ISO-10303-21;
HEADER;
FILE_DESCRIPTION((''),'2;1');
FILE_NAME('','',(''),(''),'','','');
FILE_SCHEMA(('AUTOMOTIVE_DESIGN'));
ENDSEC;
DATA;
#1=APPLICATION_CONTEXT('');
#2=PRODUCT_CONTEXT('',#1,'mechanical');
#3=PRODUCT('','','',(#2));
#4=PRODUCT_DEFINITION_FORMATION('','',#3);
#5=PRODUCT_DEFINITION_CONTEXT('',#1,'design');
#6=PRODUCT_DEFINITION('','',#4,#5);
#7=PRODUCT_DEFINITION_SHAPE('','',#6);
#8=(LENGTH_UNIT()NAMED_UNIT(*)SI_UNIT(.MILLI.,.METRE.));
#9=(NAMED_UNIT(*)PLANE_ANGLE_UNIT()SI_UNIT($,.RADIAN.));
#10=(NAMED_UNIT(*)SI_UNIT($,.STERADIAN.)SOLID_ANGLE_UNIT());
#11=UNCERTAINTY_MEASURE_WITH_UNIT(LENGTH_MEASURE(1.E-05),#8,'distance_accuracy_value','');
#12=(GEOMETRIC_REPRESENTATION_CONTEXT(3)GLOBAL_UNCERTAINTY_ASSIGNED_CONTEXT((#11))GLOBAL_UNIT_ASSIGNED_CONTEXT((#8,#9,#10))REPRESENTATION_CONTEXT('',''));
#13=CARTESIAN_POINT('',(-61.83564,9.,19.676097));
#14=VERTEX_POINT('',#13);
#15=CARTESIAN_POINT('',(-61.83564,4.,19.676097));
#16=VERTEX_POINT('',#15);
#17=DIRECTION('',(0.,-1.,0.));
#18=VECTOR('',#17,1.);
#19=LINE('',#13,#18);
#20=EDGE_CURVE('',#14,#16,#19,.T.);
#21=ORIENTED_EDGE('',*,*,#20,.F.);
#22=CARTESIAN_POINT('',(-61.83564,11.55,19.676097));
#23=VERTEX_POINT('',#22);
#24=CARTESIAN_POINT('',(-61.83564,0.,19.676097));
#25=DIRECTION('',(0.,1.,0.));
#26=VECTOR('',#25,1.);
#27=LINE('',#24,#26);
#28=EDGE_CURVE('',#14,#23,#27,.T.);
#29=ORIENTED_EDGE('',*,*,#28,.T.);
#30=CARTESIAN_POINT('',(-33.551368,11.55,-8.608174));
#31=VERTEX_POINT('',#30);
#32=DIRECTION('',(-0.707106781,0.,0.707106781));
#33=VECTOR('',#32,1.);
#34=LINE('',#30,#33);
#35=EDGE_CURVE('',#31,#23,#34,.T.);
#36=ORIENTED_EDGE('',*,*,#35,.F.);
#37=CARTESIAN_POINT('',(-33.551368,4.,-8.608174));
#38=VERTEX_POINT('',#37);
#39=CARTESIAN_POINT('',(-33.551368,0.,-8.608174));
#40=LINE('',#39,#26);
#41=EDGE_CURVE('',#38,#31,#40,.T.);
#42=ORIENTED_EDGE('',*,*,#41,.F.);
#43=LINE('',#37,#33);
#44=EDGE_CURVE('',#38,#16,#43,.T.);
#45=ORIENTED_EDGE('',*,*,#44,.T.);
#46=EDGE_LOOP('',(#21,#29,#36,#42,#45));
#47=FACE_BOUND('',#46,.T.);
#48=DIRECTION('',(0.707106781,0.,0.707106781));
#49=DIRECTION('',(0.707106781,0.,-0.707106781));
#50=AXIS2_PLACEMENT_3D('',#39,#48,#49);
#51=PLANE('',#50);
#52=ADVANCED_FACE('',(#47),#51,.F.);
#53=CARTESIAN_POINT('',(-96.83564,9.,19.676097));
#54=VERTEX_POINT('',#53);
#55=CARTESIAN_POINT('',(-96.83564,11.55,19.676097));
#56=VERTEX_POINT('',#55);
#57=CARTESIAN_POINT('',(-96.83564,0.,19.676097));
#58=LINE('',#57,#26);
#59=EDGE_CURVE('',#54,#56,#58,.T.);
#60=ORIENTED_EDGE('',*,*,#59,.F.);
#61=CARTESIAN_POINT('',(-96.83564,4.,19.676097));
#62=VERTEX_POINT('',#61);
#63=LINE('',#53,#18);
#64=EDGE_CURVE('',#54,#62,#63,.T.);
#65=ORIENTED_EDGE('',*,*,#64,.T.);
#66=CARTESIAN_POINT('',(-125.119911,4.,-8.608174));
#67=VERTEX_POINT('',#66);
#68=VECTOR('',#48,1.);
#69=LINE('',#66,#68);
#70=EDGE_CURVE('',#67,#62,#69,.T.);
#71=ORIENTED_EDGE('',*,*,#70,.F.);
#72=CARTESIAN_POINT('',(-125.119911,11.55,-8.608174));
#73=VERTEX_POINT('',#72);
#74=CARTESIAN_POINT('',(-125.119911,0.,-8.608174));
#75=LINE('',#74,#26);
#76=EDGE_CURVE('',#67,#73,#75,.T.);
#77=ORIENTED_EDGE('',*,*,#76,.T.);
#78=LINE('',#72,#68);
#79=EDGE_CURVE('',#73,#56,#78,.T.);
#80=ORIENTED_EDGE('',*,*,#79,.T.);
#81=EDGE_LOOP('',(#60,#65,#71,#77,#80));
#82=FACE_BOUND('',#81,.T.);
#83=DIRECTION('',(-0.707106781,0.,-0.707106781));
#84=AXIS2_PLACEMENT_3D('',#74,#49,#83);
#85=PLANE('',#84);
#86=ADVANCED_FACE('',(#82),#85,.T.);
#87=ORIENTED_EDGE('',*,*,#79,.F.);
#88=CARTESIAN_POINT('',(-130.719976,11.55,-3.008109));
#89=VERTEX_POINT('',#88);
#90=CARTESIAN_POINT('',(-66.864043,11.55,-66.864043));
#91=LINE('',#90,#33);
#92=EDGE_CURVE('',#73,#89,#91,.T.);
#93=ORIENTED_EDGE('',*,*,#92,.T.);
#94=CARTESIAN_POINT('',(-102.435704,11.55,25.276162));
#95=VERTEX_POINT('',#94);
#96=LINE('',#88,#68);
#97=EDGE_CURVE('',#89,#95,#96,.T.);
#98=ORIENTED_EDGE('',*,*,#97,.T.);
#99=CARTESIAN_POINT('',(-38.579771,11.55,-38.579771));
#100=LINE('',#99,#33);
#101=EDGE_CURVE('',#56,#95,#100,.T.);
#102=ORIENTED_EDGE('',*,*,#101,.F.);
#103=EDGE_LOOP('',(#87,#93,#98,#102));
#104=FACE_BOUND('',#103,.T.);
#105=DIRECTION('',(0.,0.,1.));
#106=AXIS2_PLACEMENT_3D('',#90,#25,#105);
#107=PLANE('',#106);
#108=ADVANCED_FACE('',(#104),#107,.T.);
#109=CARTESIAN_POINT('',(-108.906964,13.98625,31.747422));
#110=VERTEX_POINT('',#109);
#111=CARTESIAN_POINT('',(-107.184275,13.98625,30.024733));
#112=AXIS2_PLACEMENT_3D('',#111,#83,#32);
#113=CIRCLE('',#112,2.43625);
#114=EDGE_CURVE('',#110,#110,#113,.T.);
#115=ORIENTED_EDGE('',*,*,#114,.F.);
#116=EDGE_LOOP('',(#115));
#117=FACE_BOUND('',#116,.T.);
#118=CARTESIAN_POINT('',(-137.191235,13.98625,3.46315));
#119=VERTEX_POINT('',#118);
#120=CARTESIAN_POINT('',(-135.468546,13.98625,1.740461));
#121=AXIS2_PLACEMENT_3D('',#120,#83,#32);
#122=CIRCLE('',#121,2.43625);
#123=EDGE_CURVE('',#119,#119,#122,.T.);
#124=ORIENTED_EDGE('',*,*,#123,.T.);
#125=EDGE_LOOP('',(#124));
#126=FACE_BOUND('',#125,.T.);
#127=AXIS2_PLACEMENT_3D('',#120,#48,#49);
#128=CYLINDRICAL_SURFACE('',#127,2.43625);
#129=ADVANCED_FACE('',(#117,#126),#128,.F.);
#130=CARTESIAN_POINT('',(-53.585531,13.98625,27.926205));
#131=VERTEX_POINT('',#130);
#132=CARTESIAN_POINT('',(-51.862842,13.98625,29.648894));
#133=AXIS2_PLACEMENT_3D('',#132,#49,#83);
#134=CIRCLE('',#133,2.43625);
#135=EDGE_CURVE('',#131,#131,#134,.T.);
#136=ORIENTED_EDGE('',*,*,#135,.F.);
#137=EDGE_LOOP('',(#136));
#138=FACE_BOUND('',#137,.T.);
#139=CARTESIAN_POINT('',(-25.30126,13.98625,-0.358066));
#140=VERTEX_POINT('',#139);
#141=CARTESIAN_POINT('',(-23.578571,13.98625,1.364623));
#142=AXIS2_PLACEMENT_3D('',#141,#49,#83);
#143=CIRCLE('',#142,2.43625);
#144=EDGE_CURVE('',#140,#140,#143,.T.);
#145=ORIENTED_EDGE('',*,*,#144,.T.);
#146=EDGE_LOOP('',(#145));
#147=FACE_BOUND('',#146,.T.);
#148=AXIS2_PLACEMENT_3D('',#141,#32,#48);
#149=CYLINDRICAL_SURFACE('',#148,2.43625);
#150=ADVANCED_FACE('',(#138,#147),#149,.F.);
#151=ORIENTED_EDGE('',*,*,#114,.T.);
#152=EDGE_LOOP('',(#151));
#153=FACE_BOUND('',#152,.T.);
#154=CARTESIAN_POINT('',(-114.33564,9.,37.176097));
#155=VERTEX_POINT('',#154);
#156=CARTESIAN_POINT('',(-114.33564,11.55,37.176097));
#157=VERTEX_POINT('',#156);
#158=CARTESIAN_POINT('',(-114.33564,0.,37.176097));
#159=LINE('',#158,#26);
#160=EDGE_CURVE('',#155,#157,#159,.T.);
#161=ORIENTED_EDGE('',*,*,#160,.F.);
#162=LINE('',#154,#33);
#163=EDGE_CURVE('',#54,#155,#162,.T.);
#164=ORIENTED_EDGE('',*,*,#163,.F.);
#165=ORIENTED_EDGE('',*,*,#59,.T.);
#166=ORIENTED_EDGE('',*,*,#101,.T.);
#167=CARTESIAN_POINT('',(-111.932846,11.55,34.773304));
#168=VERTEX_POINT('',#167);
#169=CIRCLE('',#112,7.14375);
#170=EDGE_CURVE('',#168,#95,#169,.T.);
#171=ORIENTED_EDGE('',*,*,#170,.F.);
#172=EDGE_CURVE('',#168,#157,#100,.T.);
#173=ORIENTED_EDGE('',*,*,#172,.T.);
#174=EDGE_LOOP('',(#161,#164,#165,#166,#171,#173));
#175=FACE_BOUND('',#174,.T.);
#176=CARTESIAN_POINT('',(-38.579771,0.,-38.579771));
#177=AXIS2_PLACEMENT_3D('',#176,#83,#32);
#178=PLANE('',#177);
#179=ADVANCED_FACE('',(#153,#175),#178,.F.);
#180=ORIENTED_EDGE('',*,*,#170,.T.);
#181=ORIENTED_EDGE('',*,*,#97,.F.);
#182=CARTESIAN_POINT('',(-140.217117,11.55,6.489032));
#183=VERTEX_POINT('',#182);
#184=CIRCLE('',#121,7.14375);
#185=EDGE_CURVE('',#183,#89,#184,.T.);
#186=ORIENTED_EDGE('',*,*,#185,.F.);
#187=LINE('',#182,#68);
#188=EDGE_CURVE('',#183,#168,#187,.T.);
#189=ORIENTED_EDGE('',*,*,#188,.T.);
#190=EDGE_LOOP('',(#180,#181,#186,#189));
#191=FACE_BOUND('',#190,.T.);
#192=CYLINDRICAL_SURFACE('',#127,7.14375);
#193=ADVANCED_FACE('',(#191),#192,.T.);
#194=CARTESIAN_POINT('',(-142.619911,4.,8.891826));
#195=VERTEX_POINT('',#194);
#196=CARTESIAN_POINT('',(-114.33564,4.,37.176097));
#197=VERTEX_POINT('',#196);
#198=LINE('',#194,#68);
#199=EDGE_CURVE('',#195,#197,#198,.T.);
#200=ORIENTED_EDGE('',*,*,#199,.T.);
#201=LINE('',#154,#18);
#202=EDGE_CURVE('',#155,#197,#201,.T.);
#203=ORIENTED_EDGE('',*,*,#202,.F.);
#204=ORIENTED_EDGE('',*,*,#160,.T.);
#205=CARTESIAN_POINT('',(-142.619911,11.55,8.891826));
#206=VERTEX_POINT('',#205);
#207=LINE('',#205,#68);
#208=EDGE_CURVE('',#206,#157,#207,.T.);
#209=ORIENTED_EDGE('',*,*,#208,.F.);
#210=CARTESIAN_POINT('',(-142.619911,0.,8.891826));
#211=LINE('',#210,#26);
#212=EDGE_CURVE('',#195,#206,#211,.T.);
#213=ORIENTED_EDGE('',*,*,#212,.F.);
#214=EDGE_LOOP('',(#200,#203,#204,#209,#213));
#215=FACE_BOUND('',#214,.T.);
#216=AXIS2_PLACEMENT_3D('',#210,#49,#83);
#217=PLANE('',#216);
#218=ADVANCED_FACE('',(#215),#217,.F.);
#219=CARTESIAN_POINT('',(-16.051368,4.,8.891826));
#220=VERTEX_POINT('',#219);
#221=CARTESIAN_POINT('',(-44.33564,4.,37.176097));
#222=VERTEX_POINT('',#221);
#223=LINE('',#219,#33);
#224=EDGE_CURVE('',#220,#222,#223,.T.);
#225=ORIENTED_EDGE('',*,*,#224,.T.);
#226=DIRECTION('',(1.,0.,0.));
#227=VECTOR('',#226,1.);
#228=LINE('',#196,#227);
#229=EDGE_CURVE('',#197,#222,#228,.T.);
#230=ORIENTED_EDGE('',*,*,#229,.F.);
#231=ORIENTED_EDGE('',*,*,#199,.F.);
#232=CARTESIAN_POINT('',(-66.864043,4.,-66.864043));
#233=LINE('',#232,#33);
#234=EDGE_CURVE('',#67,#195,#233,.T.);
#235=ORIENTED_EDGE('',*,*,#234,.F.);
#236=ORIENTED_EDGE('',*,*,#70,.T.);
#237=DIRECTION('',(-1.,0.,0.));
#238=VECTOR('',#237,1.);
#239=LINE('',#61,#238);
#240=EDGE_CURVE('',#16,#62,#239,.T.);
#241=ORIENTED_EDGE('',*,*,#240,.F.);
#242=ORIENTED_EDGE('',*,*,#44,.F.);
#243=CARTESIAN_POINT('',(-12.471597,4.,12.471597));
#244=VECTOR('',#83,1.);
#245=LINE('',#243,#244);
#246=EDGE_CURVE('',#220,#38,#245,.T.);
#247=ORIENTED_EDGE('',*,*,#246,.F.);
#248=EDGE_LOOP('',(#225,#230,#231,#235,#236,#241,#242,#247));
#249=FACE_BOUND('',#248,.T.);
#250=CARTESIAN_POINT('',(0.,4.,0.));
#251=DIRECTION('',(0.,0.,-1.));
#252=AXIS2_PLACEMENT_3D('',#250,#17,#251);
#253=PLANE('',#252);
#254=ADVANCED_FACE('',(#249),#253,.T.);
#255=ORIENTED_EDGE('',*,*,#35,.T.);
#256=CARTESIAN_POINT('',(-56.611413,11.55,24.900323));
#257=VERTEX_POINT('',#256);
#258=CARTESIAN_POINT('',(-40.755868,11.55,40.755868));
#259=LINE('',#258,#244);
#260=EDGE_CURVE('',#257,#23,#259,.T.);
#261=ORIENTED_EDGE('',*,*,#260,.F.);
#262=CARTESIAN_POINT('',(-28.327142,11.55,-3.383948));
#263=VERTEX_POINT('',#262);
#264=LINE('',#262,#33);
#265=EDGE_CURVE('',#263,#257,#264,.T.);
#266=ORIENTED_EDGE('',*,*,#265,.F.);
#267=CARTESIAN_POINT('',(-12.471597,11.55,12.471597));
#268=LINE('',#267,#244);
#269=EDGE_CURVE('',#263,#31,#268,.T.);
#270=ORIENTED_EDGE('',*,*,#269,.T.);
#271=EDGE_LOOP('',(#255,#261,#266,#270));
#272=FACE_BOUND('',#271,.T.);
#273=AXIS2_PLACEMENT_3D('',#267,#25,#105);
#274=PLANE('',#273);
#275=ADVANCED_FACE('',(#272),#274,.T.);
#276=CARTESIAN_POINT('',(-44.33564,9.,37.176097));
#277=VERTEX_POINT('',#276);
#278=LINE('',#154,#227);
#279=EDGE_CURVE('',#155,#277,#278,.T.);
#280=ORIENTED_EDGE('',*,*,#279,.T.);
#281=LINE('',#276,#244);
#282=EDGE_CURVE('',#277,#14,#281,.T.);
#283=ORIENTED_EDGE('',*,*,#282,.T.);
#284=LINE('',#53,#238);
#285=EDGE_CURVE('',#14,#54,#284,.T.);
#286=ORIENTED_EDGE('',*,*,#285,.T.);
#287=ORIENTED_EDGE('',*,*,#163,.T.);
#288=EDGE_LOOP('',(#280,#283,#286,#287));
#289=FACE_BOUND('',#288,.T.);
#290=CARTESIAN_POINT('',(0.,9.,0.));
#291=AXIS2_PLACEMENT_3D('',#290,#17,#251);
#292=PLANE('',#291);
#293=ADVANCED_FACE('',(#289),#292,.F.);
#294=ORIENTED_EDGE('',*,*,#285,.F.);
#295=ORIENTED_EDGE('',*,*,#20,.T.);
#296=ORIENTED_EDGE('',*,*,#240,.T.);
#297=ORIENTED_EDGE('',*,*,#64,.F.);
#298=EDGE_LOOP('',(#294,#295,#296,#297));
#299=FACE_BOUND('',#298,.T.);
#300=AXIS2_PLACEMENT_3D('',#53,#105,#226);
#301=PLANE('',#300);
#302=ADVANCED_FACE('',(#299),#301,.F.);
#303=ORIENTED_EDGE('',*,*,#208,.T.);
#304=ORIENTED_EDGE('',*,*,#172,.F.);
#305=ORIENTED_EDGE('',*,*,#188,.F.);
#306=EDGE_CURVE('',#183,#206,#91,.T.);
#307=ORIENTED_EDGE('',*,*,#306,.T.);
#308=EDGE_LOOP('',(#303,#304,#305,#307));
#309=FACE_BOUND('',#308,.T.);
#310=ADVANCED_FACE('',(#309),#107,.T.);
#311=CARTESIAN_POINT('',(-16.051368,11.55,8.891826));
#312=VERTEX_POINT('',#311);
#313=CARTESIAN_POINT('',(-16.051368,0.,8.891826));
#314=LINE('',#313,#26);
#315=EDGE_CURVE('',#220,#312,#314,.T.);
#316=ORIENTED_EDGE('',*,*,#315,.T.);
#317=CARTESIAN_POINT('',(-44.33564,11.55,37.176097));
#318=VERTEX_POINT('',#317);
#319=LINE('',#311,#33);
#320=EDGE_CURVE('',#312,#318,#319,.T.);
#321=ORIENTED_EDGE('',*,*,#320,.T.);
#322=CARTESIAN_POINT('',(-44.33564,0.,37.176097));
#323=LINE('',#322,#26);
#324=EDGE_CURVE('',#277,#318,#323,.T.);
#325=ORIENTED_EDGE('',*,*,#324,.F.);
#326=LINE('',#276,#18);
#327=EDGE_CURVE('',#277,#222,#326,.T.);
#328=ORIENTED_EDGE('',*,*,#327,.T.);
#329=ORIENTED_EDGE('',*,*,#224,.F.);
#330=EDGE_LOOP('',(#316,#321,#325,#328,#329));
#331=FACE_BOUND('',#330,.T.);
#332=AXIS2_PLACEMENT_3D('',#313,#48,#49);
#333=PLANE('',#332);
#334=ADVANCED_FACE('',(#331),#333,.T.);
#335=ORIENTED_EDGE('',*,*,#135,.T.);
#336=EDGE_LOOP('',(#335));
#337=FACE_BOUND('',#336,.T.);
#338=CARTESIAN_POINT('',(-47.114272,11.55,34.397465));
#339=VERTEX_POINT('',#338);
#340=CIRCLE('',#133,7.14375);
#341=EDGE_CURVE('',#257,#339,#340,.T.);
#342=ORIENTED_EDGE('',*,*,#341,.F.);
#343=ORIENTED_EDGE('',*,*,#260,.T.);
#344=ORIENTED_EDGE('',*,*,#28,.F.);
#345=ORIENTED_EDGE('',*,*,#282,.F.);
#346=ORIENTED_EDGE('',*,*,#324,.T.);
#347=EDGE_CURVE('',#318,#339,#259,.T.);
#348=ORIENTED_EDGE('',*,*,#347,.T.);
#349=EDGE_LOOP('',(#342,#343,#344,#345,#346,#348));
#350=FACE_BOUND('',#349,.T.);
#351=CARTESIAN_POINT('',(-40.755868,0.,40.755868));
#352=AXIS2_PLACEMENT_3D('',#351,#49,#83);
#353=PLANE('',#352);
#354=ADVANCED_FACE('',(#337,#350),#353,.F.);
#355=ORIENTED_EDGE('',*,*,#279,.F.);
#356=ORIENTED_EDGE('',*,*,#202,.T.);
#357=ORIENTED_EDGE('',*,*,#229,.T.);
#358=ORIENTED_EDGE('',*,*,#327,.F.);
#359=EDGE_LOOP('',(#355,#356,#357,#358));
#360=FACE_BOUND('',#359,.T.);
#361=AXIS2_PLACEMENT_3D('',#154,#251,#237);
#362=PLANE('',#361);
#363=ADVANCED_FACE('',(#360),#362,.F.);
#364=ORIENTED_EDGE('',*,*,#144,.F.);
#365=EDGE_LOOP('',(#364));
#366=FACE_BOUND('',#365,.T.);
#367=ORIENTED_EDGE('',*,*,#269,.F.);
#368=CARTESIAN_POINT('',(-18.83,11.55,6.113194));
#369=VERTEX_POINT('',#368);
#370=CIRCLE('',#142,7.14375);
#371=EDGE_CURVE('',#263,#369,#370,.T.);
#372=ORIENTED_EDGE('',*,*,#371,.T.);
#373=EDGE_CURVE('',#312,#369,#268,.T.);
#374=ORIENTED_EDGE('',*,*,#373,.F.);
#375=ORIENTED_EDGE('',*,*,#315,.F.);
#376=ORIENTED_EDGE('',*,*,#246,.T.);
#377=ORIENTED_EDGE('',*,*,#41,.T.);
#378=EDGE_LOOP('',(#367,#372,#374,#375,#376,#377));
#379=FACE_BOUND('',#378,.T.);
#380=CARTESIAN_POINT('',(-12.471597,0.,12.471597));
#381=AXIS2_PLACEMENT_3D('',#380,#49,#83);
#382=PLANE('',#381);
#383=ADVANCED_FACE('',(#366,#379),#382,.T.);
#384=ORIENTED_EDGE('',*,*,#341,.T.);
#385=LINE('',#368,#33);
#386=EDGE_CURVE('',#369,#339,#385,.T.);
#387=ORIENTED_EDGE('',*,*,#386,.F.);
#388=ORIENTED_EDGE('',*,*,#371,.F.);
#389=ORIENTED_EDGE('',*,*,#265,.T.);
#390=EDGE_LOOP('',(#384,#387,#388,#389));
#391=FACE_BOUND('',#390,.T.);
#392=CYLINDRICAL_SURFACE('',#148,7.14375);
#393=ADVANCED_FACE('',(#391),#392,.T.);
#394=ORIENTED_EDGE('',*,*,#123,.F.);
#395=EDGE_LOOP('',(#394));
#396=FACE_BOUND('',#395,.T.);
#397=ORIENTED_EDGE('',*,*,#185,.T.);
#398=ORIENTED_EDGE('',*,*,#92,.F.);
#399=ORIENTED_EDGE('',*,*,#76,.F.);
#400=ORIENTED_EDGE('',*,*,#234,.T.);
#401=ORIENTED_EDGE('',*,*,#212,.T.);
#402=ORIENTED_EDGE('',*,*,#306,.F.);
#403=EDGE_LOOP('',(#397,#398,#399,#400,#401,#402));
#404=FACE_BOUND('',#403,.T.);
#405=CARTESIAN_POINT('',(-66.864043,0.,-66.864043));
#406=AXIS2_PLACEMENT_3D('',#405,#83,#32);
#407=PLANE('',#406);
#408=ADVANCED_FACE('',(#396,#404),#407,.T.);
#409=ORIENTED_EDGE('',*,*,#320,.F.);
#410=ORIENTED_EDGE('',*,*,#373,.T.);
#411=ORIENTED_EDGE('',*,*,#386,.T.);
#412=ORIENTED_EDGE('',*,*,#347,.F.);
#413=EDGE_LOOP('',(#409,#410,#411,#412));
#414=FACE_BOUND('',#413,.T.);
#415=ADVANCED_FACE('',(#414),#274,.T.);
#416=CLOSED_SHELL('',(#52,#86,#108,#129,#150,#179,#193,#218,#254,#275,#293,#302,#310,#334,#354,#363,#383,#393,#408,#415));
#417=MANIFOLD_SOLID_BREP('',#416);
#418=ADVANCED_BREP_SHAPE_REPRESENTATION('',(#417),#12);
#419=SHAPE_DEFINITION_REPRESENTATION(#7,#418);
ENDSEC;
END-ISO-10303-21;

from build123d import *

# Parameters (mm, degrees)
BOSS_EXTRUDE1_START = 4
BOSS_EXTRUDE1_DEPTH = 5
ANTENNAHOLSTER1_R   = 2.43625
BOSS_EXTRUDE2_DEPTH = 40
ANTENNAHOLSTER2_R   = 2.43625
BOSS_EXTRUDE3_DEPTH = 40


with BuildPart() as part:
    # Trapezoid1 → Boss-Extrude1 (new body)
    with BuildSketch(Plane(origin=(0, 0, 0), x_dir=(1, 0, 0), z_dir=(0, 1, 0)).offset(BOSS_EXTRUDE1_START)):
        Polygon((-114.335639632, -37.176097112), (-96.835639632, -19.676097112), (-61.835639632, -19.676097112), (-44.335639632, -37.176097112), align=None)
    extrude(amount=BOSS_EXTRUDE1_DEPTH)

    # AntennaHolster1 → Boss-Extrude2 (add)
    with BuildSketch(Plane(origin=(-40.755868372, 0, 40.755868372), x_dir=(-0.7071067811865513, 0, -0.7071067811865438), z_dir=(0.7071067811865438, 0, -0.7071067811865513))):
        with BuildLine():
            Line((5.062561066, 11.55), (5.062561066, 4))
            Line((5.062561066, 4), (29.811298407, 4))
            Line((29.811298407, 4), (29.811298407, 11.55))
            Line((29.811298407, 11.55), (22.423126617, 11.55))
            ThreePointArc((22.423126617, 11.55), (15.707633336, 21.13), (8.992140056, 11.55))
            Line((8.992140056, 11.55), (5.062561066, 11.55))
        make_face()
        with Locations((15.707633336, 13.98625)):
            Circle(ANTENNAHOLSTER1_R, mode=Mode.SUBTRACT)
    extrude(amount=BOSS_EXTRUDE2_DEPTH)

    # AntennaHolster2 → Boss-Extrude3 (add)
    with BuildSketch(Plane(origin=(-38.57977126, 0, -38.57977126), x_dir=(-0.7071067811865462, 0, 0.7071067811865489), z_dir=(-0.7071067811865489, 0, -0.7071067811865462))):
        with BuildLine():
            Line((82.38623914, 11.55), (82.38623914, 4))
            Line((82.38623914, 4), (107.134976481, 4))
            Line((107.134976481, 4), (107.134976481, 11.55))
            Line((107.134976481, 11.55), (103.736913224, 11.55))
            ThreePointArc((103.736913224, 11.55), (97.021419943, 21.13), (90.305926663, 11.55))
            Line((90.305926663, 11.55), (82.38623914, 11.55))
        make_face()
        with Locations((97.021419943, 13.98625)):
            Circle(ANTENNAHOLSTER2_R, mode=Mode.SUBTRACT)
    extrude(amount=BOSS_EXTRUDE3_DEPTH)


solid = part.part
